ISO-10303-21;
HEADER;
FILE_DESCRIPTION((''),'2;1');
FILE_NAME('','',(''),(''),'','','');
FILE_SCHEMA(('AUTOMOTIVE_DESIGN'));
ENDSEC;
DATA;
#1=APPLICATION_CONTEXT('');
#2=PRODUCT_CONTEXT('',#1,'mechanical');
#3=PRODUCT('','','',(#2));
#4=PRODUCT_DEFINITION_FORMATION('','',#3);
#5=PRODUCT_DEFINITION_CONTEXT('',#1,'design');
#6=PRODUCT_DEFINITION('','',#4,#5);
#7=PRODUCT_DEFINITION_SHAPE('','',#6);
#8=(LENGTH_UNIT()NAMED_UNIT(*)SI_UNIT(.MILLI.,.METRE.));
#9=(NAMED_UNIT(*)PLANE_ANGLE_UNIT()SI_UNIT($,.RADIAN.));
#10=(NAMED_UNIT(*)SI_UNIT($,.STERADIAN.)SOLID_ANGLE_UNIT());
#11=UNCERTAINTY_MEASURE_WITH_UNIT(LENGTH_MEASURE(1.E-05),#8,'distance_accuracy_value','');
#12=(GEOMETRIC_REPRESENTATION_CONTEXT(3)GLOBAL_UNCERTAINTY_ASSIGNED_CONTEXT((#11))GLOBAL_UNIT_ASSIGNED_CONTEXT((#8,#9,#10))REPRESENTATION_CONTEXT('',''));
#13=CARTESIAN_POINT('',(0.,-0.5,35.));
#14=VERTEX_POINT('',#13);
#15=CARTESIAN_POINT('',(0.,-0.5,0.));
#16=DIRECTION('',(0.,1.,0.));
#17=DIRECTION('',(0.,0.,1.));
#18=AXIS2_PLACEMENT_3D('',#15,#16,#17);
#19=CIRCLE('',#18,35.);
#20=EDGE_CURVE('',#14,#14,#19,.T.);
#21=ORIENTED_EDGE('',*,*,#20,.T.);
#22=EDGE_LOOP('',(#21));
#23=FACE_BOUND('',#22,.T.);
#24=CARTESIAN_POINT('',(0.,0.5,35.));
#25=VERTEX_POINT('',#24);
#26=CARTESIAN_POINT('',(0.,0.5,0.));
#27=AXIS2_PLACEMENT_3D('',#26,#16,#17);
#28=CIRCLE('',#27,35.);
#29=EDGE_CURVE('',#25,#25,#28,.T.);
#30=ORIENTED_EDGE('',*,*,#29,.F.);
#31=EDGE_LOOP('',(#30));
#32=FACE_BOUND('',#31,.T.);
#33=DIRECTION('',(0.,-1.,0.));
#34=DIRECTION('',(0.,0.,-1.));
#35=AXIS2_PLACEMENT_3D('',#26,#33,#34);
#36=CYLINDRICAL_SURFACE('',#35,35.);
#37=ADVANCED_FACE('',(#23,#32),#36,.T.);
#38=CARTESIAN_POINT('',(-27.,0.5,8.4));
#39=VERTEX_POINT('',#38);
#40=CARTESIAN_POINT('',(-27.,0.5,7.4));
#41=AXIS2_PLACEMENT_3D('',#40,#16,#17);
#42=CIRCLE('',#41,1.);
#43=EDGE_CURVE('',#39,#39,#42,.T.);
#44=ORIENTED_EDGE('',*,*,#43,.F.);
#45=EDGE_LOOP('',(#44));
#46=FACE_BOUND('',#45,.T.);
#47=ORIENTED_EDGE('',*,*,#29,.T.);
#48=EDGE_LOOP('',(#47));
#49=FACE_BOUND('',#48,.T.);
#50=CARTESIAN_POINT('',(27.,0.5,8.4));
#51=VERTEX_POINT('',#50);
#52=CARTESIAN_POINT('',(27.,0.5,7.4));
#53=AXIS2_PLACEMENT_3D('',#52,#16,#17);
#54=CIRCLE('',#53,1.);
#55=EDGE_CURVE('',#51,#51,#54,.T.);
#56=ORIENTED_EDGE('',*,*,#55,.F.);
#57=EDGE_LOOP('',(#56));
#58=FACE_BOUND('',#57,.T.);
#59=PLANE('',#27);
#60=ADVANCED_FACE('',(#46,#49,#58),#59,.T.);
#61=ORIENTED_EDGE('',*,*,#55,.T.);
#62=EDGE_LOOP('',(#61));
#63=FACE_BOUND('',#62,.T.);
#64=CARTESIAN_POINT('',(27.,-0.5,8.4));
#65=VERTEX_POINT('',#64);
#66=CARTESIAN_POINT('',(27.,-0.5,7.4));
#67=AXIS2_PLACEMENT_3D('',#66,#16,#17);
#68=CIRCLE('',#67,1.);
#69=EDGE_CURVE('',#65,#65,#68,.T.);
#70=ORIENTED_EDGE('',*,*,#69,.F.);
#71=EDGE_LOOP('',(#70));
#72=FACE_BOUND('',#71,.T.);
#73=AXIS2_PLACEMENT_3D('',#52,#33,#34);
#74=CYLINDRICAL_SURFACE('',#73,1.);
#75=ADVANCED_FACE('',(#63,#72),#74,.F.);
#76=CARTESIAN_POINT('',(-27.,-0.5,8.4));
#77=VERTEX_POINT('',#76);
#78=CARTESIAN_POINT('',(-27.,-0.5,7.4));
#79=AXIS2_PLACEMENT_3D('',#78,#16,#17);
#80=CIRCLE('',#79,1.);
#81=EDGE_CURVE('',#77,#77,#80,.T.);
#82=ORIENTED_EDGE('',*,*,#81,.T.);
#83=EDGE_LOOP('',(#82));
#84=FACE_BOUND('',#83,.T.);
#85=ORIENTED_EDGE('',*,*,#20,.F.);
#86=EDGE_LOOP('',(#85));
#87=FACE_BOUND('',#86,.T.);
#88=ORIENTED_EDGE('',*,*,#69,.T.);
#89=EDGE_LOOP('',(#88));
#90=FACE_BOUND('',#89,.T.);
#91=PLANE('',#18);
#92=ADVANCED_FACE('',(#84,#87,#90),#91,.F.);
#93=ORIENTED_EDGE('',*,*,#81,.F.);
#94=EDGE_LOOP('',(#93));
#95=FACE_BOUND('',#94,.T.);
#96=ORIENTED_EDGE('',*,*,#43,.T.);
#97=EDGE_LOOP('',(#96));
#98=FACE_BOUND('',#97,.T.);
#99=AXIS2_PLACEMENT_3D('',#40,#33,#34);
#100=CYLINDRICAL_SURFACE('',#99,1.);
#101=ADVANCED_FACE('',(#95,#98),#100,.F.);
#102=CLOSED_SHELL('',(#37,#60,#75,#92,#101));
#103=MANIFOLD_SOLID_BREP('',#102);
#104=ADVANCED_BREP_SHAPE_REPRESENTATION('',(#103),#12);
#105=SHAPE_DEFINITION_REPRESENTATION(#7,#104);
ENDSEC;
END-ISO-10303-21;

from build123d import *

# Parameters (mm, degrees)
SKETCH1_R           = 35
SKETCH1_R_2         = 1
BOSS_EXTRUDE1_DEPTH = 0.5


with BuildPart() as part:
    # Sketch1 → Boss-Extrude1 (new, symmetric)
    with BuildSketch(Plane(origin=(0, 0, 0), x_dir=(1, 0, 0), z_dir=(0, 1, 0))):
        with Locations(Location((0, 0, 0), (0, 0, 270))):
            Circle(SKETCH1_R)
        with Locations(Location((-27, -7.4, 0), (0, 0, 270))):
            Circle(SKETCH1_R_2, mode=Mode.SUBTRACT)
        with Locations(Location((27, -7.4, 0), (0, 0, 270))):
            Circle(SKETCH1_R_2, mode=Mode.SUBTRACT)
    extrude(amount=BOSS_EXTRUDE1_DEPTH, both=True)


solid = part.part
